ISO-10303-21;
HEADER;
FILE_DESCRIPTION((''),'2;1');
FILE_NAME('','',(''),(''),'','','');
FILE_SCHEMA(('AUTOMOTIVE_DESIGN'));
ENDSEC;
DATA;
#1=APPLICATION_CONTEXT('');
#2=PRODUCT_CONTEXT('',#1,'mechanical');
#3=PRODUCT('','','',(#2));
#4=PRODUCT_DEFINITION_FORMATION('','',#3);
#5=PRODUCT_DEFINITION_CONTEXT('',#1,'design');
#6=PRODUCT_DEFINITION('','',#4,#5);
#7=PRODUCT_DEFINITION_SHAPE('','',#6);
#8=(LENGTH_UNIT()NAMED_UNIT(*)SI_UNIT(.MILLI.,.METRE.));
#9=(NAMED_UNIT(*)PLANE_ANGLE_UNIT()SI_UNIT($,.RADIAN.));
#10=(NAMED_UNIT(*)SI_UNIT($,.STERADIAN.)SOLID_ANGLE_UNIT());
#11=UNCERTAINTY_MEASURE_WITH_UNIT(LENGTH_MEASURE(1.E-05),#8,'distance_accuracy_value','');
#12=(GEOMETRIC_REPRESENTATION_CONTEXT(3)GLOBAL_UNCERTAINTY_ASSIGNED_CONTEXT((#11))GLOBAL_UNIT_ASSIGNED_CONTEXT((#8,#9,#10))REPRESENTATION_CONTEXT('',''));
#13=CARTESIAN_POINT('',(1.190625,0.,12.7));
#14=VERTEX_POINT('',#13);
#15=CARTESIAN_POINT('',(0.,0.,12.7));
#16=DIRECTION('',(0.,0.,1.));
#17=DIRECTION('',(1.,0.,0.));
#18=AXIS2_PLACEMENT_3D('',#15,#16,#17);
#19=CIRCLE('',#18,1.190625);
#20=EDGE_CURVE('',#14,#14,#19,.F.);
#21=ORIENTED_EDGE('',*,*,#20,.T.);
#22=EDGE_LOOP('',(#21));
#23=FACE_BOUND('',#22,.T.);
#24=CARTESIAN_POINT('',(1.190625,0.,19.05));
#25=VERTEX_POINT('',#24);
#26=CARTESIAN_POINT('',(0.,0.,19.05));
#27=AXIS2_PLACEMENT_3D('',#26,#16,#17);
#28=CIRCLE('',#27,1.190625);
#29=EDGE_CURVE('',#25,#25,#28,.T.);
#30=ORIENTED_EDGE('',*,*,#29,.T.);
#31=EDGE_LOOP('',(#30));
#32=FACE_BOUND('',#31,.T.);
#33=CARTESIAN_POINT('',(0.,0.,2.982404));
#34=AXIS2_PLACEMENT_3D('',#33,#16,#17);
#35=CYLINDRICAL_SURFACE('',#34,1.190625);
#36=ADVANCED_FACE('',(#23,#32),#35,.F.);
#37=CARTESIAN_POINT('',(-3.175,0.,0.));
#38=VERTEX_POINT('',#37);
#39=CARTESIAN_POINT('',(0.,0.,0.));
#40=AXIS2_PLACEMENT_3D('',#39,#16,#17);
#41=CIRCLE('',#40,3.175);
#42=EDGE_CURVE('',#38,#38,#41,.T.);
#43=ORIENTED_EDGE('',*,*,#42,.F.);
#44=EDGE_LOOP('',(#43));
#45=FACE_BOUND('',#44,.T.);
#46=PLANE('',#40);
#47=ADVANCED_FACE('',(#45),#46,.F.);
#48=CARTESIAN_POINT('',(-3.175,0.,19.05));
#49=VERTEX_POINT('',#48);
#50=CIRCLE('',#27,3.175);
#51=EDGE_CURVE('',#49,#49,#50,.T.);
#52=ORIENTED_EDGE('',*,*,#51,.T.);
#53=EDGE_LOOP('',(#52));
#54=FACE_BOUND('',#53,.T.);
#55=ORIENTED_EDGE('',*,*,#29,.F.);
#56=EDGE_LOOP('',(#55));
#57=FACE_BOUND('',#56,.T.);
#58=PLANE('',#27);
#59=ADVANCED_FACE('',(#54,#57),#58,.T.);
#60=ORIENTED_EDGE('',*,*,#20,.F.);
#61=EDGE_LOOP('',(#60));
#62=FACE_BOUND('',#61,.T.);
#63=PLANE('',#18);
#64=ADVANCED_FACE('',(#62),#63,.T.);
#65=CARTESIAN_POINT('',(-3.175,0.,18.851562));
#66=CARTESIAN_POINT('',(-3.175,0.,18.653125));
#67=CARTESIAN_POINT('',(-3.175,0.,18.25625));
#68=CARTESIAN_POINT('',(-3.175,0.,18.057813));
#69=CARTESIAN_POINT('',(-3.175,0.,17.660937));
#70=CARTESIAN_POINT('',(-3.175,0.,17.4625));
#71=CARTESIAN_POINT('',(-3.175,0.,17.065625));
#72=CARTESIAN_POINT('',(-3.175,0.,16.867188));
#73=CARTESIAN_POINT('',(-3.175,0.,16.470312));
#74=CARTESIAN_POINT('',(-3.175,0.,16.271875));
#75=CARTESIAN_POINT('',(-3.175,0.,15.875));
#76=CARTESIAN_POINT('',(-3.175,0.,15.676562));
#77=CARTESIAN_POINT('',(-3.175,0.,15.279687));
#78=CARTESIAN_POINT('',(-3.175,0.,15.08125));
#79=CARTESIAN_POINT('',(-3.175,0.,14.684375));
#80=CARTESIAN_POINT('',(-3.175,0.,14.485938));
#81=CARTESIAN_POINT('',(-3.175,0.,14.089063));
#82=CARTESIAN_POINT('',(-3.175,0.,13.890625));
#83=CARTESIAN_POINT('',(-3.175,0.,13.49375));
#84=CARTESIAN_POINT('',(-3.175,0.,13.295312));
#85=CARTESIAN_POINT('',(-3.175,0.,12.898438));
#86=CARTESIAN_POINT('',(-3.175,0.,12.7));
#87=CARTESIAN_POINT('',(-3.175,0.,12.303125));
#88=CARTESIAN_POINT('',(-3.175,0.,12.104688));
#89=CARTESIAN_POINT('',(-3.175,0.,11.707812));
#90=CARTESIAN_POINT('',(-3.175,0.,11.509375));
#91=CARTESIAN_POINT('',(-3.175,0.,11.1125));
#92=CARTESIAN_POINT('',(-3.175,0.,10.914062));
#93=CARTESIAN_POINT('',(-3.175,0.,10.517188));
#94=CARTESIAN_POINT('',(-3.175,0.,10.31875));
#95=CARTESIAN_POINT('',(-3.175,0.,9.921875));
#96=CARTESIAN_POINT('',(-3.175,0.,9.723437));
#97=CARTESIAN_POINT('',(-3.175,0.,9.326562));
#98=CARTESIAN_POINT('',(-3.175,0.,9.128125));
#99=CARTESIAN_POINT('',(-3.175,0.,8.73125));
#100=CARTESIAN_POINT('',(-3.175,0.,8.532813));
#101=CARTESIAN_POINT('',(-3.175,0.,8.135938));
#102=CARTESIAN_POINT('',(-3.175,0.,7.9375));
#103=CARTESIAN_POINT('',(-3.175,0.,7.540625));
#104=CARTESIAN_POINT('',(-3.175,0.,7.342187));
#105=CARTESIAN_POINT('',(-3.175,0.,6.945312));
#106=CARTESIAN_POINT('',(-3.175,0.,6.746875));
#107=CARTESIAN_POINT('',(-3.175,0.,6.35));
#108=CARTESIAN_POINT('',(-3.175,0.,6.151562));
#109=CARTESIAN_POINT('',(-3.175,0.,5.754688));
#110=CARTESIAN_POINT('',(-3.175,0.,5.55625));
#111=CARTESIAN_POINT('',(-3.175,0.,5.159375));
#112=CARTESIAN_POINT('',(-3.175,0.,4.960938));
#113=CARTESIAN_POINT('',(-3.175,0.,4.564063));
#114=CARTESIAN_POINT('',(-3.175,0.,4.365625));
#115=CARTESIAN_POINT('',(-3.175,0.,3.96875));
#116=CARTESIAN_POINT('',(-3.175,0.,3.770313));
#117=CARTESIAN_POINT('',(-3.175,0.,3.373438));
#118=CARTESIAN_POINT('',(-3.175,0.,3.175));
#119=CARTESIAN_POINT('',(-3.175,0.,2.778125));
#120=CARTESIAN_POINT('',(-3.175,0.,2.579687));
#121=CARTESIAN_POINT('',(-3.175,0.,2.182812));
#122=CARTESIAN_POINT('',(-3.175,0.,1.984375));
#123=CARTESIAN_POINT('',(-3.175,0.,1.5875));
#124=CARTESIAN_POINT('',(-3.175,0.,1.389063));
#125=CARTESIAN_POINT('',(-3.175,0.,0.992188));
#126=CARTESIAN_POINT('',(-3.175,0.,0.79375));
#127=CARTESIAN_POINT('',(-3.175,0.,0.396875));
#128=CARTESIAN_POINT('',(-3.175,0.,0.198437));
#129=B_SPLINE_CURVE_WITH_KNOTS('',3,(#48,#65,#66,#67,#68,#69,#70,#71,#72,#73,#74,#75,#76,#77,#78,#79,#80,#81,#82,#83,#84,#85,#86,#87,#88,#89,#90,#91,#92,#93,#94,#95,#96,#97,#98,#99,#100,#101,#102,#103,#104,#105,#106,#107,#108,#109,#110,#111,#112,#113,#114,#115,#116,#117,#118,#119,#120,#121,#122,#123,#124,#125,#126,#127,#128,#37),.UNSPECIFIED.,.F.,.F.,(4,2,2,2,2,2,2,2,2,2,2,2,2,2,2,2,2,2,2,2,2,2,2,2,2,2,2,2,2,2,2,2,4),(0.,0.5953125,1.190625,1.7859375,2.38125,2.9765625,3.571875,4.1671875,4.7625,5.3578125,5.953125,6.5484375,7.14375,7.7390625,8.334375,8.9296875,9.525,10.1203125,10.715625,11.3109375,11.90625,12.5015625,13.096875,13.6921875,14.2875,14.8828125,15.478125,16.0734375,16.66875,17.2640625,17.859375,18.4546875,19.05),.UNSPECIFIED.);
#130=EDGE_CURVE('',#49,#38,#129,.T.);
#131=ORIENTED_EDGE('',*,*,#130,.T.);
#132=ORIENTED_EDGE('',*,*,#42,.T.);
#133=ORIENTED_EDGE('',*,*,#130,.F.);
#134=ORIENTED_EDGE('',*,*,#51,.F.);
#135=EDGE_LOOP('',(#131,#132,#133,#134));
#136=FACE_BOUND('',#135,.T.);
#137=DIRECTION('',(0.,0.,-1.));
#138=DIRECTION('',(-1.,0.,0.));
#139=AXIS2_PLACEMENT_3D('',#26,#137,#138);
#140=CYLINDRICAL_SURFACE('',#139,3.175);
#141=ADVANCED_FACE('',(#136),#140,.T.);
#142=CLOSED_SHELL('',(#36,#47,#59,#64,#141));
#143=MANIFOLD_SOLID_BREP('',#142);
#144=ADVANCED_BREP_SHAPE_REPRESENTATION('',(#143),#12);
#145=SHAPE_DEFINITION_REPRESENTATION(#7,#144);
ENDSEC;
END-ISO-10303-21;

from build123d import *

# Parameters (mm, degrees)
SKETCH1_R           = 3.175
BOSS_EXTRUDE1_DEPTH = 19.05
SKETCH2_R           = 1.190625
CUT_EXTRUDE1_DEPTH  = 6.35


with BuildPart() as part:
    # Sketch1 → Boss-Extrude1 (new body)
    with BuildSketch(Plane.XY):
        with Locations(Location((0, 0, 0), (0, 0, 180))):
            Circle(SKETCH1_R)
    extrude(amount=BOSS_EXTRUDE1_DEPTH)

    # Sketch2 → Cut-Extrude1 (cut)
    with BuildSketch(Plane.XY.offset(19.05)):
        Circle(SKETCH2_R)
    extrude(amount=-CUT_EXTRUDE1_DEPTH, mode=Mode.SUBTRACT)


solid = part.part
